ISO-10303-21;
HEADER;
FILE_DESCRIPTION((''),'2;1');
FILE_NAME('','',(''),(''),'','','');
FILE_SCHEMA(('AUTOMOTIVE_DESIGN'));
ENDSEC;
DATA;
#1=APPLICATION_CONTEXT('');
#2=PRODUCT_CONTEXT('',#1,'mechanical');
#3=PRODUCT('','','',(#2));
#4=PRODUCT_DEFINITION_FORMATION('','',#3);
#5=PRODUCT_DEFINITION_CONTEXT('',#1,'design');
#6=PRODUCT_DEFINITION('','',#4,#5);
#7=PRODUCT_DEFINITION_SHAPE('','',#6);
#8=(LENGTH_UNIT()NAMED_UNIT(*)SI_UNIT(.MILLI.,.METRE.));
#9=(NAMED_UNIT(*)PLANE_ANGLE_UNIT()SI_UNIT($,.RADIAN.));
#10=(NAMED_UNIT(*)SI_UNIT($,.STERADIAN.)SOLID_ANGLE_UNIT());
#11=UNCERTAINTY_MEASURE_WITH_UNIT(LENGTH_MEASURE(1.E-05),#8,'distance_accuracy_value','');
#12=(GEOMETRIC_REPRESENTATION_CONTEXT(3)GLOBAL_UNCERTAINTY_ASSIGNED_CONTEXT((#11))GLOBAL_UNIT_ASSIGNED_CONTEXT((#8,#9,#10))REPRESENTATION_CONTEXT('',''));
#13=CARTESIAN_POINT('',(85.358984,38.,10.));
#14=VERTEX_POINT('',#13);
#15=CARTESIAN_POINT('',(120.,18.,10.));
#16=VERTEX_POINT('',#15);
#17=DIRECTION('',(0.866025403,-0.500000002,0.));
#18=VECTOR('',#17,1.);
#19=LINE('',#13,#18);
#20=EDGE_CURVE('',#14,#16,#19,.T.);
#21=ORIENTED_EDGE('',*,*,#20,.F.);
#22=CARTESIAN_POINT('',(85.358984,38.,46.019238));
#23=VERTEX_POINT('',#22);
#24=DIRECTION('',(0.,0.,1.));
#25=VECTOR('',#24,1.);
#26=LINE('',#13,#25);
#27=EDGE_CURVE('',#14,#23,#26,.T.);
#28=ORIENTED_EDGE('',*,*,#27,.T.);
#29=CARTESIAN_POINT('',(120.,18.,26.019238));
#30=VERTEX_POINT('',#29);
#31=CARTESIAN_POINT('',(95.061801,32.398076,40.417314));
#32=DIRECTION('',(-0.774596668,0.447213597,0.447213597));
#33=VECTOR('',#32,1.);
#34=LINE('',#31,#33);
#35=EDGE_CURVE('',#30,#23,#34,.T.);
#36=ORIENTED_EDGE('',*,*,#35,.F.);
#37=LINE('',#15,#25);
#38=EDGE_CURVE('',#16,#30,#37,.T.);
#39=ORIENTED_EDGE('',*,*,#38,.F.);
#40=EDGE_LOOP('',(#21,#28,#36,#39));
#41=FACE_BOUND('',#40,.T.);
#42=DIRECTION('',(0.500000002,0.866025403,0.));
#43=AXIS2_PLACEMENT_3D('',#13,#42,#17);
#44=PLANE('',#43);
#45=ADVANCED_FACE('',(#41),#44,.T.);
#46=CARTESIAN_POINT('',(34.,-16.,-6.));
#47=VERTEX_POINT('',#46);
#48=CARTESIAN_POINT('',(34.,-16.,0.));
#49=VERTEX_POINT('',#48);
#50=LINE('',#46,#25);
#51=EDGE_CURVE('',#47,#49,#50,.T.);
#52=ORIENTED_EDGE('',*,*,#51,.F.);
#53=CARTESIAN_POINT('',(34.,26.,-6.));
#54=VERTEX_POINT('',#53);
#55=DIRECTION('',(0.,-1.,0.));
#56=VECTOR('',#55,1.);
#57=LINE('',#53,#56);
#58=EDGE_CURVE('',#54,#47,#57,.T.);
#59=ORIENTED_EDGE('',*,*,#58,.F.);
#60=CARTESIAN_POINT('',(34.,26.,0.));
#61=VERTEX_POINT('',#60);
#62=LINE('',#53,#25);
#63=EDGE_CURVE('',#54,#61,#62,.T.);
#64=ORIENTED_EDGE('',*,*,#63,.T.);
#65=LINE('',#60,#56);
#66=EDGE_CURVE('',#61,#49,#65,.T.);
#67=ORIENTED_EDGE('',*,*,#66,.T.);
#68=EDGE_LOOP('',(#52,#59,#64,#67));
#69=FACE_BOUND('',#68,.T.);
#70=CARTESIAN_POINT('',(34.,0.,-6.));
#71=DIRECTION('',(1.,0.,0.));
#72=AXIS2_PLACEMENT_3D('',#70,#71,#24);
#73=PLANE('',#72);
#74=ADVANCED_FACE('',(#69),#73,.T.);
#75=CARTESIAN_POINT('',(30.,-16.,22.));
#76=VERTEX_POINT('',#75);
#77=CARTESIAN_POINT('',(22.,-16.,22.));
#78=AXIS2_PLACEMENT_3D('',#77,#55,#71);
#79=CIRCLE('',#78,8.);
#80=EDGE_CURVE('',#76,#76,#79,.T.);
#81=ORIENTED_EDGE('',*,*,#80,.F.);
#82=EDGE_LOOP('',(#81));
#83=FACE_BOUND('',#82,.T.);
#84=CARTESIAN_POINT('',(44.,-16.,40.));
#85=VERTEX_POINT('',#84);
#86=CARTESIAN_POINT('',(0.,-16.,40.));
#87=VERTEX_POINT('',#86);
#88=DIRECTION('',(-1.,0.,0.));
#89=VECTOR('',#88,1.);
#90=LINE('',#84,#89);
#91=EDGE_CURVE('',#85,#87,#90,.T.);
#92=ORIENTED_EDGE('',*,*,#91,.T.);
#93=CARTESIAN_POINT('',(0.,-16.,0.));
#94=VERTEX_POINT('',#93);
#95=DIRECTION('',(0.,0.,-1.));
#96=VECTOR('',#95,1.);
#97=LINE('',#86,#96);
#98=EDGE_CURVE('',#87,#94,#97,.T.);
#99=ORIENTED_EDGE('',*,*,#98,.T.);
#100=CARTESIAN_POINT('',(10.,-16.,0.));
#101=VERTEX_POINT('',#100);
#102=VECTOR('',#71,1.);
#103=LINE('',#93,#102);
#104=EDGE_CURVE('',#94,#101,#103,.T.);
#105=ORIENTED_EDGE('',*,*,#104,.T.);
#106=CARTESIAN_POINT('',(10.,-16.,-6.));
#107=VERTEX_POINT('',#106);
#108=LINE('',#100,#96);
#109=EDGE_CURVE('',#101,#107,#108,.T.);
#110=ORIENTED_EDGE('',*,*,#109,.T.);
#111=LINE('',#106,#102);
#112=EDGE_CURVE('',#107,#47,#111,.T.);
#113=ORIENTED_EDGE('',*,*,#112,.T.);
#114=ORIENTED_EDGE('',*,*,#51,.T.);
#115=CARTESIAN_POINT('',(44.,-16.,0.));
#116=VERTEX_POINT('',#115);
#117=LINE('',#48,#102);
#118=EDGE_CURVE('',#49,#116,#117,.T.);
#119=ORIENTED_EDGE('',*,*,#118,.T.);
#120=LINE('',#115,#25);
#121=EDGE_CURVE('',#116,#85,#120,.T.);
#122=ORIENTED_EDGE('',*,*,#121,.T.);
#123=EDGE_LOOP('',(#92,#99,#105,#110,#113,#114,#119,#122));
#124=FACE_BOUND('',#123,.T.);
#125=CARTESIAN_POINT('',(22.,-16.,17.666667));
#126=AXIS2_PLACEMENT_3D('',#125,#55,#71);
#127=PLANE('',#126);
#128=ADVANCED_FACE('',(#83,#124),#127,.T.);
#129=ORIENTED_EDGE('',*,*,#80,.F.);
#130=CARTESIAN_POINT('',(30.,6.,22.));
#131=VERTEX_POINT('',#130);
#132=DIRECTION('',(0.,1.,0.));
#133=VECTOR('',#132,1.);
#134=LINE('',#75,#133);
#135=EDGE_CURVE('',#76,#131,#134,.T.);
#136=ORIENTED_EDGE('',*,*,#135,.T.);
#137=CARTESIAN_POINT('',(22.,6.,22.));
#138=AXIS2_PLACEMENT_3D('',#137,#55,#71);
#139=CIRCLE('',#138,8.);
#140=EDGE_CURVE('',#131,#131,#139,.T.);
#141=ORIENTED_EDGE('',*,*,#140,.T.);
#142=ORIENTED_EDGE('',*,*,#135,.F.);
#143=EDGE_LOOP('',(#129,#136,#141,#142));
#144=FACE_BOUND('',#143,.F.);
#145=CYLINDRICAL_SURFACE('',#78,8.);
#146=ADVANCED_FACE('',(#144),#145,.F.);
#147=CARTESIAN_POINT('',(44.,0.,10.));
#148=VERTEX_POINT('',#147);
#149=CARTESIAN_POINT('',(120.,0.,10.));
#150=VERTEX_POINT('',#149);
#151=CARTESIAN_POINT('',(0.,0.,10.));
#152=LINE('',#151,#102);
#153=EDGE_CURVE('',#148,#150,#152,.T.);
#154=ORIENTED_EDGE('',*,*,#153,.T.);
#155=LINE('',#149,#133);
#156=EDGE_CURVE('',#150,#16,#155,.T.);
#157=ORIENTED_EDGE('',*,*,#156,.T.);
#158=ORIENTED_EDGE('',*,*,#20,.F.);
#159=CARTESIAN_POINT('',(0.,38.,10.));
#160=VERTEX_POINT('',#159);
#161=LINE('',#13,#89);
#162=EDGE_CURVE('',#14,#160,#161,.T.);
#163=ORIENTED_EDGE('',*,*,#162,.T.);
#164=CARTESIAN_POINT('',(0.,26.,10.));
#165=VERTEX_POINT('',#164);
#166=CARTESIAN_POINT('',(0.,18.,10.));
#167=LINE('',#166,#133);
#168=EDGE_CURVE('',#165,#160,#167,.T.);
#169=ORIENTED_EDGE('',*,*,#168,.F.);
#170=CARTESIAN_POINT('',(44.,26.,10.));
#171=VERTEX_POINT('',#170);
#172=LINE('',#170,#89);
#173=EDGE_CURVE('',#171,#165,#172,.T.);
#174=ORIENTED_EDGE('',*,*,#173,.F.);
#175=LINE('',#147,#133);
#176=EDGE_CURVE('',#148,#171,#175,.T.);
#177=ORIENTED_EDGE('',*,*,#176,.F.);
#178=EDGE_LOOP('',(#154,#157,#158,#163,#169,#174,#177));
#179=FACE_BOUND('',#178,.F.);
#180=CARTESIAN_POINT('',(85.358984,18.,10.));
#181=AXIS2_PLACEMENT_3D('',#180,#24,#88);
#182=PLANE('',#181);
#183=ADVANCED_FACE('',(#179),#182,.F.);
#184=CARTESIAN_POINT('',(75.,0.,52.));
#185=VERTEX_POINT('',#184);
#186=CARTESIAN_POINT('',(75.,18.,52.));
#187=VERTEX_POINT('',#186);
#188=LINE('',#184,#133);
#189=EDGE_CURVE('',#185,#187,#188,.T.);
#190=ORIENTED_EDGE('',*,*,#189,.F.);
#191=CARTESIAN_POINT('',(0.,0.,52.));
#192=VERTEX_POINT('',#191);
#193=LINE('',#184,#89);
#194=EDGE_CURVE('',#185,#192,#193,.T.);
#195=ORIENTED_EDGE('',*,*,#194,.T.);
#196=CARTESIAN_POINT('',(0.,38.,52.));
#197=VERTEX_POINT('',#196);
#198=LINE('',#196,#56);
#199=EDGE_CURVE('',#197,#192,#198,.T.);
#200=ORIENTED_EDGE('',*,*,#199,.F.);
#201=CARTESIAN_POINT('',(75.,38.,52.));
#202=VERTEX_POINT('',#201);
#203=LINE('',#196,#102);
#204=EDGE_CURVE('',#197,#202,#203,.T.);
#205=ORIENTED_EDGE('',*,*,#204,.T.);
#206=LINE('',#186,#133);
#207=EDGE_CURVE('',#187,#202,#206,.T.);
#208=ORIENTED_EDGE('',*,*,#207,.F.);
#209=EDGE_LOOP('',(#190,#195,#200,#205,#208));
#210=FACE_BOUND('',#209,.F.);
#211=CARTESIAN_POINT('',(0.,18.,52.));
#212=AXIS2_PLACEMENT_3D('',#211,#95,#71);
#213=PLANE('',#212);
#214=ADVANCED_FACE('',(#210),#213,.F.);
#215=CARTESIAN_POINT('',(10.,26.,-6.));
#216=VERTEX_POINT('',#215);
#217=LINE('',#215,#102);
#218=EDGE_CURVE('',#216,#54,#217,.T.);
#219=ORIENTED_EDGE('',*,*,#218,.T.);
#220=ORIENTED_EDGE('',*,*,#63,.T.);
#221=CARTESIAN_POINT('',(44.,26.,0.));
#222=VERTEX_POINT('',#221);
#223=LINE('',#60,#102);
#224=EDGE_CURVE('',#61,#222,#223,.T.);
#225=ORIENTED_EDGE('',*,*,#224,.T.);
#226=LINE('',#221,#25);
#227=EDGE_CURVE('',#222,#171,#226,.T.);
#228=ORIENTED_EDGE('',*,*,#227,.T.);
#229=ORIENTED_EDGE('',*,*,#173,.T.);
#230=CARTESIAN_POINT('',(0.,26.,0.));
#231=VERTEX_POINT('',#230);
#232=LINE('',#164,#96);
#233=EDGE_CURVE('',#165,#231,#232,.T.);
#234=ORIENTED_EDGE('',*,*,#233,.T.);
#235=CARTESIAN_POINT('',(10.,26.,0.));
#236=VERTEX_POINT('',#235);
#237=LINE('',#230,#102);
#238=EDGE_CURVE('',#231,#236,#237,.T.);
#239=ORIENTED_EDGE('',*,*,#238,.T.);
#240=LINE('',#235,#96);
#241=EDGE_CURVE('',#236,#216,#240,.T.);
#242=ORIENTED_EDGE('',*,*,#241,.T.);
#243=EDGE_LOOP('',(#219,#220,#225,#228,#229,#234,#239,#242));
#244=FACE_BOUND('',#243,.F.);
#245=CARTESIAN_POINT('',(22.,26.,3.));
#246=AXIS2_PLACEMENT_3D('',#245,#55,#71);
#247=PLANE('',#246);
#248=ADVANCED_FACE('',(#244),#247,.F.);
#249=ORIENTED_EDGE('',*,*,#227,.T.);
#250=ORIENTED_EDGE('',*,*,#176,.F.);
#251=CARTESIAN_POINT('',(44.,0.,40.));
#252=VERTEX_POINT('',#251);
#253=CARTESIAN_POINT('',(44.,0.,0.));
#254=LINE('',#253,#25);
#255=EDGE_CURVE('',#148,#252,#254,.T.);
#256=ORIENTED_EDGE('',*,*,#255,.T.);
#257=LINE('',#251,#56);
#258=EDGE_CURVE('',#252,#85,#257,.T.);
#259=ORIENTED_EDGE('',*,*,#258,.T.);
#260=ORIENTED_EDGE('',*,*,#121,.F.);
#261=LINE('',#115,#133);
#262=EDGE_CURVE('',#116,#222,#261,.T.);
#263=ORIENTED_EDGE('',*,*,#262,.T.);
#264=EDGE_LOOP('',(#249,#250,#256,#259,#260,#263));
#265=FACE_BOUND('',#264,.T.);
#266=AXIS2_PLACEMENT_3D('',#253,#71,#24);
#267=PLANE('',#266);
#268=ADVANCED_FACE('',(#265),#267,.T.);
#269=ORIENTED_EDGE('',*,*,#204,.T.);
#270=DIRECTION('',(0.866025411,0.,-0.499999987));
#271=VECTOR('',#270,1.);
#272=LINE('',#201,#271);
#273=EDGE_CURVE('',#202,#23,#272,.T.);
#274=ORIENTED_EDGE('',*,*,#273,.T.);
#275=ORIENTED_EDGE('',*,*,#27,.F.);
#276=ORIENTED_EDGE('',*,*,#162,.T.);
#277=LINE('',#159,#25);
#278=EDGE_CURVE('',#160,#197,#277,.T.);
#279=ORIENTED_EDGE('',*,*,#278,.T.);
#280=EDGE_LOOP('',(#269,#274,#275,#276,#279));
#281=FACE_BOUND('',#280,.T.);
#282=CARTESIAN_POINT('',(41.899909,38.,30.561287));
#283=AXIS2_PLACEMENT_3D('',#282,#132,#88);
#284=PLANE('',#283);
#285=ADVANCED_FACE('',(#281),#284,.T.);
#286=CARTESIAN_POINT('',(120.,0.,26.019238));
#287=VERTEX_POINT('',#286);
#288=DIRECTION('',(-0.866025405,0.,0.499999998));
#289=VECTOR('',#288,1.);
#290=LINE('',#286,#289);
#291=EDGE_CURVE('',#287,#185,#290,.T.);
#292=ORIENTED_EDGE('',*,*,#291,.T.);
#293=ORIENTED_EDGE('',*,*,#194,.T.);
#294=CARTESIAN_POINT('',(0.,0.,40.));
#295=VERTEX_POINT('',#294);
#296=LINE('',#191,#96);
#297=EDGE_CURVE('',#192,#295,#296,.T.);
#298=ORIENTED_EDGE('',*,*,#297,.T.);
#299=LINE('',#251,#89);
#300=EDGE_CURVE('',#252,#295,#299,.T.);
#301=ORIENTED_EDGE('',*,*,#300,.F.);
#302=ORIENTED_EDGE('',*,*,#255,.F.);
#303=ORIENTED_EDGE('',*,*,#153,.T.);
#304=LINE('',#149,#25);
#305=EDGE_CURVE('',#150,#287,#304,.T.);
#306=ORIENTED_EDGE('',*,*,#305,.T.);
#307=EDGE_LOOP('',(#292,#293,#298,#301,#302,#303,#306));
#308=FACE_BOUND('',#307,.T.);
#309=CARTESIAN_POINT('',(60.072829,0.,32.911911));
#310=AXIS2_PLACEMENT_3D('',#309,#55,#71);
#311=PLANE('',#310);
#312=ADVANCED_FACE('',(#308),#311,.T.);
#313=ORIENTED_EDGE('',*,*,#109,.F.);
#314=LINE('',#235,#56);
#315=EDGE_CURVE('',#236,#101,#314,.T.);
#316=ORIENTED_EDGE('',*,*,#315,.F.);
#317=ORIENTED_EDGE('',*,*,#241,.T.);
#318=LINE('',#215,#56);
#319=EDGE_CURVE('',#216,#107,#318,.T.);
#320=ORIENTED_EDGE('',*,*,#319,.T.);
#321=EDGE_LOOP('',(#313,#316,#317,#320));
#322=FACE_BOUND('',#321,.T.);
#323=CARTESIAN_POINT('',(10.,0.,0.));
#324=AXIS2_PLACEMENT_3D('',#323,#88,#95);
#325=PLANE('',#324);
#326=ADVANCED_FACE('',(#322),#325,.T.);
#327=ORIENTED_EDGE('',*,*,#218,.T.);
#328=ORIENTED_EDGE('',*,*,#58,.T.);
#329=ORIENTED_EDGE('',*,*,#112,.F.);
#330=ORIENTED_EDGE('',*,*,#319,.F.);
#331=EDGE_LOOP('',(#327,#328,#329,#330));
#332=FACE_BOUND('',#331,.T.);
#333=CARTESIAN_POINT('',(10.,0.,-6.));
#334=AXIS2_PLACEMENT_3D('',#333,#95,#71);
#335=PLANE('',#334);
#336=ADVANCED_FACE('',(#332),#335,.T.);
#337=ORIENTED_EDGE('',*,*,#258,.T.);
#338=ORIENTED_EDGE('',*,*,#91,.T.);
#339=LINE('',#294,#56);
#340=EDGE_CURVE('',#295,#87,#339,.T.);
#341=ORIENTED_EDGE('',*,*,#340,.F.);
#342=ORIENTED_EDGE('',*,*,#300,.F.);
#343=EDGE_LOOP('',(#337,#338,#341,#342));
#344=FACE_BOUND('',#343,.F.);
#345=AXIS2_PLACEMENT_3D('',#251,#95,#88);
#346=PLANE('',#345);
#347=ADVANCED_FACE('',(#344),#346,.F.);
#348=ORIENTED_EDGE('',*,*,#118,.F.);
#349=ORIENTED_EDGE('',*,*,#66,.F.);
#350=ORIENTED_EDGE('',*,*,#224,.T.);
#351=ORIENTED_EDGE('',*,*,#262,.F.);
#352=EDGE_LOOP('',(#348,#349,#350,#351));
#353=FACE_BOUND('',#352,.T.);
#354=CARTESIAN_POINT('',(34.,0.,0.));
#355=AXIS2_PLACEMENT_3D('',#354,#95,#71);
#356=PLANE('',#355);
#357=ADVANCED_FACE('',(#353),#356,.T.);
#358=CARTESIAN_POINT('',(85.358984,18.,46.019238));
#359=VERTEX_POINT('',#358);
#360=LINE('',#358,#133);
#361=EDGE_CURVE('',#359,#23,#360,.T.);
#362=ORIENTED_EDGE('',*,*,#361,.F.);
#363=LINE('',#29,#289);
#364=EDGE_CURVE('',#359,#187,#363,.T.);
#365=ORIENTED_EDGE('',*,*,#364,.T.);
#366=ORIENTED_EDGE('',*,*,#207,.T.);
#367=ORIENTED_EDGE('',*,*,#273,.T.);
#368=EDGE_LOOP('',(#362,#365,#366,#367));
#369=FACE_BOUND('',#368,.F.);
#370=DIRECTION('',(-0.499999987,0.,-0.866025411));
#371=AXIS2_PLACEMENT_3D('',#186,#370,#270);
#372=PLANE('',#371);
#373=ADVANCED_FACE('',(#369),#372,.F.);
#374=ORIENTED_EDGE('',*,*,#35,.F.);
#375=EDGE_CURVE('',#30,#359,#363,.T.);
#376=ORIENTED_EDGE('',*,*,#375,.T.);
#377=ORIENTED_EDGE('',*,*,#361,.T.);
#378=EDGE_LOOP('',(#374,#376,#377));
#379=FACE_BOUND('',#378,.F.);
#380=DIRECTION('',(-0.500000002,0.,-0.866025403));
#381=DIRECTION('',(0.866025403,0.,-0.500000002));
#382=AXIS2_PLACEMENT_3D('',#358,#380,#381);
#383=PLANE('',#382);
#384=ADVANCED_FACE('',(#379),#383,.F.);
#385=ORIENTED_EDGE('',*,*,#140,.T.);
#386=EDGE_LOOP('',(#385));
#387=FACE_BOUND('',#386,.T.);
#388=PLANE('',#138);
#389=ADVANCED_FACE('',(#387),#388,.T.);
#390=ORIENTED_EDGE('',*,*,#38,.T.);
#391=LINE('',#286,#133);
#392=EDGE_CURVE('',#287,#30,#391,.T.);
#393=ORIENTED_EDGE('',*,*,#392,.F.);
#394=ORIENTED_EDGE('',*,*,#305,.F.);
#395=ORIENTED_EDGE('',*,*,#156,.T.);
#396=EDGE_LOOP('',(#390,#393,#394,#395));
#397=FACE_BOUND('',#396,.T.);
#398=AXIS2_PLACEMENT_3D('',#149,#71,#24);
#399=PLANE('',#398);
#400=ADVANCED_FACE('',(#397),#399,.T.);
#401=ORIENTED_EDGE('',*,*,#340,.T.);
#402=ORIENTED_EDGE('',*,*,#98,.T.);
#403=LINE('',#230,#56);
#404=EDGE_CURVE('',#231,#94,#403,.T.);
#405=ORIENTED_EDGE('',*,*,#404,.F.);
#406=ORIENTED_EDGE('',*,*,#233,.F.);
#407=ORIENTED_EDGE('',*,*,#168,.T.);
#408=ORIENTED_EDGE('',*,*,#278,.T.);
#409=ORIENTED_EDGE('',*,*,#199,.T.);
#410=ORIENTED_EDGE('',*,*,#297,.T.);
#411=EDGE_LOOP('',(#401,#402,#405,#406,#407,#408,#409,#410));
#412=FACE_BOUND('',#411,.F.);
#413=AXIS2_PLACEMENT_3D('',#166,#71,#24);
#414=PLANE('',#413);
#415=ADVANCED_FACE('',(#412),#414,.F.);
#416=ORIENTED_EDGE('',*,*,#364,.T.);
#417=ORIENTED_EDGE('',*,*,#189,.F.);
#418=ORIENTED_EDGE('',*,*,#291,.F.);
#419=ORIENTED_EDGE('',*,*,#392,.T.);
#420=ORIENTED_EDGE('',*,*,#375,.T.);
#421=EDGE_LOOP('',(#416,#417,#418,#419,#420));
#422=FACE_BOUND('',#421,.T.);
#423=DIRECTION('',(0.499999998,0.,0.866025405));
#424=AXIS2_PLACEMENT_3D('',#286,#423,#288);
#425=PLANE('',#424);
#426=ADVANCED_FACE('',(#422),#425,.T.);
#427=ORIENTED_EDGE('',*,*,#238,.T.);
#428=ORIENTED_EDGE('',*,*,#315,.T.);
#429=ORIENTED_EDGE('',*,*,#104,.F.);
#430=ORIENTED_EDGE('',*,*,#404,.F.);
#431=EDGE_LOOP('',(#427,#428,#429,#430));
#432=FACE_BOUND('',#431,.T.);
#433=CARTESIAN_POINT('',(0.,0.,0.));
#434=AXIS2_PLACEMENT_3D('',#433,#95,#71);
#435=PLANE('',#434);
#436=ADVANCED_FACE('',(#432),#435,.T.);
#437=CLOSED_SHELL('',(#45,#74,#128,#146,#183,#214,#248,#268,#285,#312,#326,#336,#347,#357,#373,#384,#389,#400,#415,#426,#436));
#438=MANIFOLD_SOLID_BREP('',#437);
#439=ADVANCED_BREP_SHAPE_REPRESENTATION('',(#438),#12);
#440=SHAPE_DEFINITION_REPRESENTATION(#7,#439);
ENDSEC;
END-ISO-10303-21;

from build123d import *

# Parameters (mm, degrees)
F1_DEPTH  = 16
F2_W      = 44
F2_H      = 30
F3_DEPTH  = 18
F4_R      = 8
F5_DEPTH  = 22
F7_DEPTH  = 26
F9_DEPTH  = 42
F11_DEPTH = 20.001
F13_DEPTH = 20


with BuildPart() as f1:
    # F0 (on Front) → F1 (new body)
    with BuildSketch(Plane.XZ):
        Polygon((0, 40), (0, 0), (10, 0), (10, -6), (34, -6), (34, 0), (44, 0), (44, 40), align=None)
    extrude(amount=F1_DEPTH)

    # F2 (on face) → F3 (join)
    with BuildSketch(Plane.XZ):
        Polygon((0, 52), (0, 40), (44, 40), (44, 10), (120, 10), (120, 26.019238), (75, 52), align=None)
        with Locations((22, 25)):
            Rectangle(F2_W, F2_H)
    extrude(amount=-F3_DEPTH)

    # F4 (on face) → F5 (cut)
    with BuildSketch(Plane.XZ.offset(16)):
        with Locations((22, 22)):
            Circle(F4_R)
    extrude(amount=-F5_DEPTH, mode=Mode.SUBTRACT)

    # F6 (on face) → F7 (join)
    with BuildSketch(Plane.XZ):
        Polygon((44, 10), (0, 10), (0, 0), (10, 0), (10, -6), (34, -6), (34, 0), (44, 0), align=None)
    extrude(amount=-F7_DEPTH)

    # F8 (on face) → F9 (join)
    with BuildSketch(Plane(origin=(0, 0, 10), x_dir=(1, 0, 0), z_dir=(0, 0, -1))):
        Polygon((85.358984, -18), (85.358984, -38), (120, -18), align=None)
    extrude(amount=-F9_DEPTH)

    # F10 (on face) → F11 (cut, through all)
    with BuildSketch(Plane.XZ.offset(-18)):
        Polygon((120, 52), (85.358984, 52), (85.358984, 46.019238), (120, 26.019238), align=None)
    extrude(amount=-F11_DEPTH, mode=Mode.SUBTRACT)

    # F12 (on face) → F13 (join)
    with BuildSketch(Plane(origin=(0, 18, 0), x_dir=(-1, 0, 0), z_dir=(0, 1, 0))):
        Polygon((-75, 52), (-85.358984, 46.019238), (-85.358984, 10), (-44, 10), (0, 10), (0, 52), align=None)
    extrude(amount=F13_DEPTH)


solid = f1.part
